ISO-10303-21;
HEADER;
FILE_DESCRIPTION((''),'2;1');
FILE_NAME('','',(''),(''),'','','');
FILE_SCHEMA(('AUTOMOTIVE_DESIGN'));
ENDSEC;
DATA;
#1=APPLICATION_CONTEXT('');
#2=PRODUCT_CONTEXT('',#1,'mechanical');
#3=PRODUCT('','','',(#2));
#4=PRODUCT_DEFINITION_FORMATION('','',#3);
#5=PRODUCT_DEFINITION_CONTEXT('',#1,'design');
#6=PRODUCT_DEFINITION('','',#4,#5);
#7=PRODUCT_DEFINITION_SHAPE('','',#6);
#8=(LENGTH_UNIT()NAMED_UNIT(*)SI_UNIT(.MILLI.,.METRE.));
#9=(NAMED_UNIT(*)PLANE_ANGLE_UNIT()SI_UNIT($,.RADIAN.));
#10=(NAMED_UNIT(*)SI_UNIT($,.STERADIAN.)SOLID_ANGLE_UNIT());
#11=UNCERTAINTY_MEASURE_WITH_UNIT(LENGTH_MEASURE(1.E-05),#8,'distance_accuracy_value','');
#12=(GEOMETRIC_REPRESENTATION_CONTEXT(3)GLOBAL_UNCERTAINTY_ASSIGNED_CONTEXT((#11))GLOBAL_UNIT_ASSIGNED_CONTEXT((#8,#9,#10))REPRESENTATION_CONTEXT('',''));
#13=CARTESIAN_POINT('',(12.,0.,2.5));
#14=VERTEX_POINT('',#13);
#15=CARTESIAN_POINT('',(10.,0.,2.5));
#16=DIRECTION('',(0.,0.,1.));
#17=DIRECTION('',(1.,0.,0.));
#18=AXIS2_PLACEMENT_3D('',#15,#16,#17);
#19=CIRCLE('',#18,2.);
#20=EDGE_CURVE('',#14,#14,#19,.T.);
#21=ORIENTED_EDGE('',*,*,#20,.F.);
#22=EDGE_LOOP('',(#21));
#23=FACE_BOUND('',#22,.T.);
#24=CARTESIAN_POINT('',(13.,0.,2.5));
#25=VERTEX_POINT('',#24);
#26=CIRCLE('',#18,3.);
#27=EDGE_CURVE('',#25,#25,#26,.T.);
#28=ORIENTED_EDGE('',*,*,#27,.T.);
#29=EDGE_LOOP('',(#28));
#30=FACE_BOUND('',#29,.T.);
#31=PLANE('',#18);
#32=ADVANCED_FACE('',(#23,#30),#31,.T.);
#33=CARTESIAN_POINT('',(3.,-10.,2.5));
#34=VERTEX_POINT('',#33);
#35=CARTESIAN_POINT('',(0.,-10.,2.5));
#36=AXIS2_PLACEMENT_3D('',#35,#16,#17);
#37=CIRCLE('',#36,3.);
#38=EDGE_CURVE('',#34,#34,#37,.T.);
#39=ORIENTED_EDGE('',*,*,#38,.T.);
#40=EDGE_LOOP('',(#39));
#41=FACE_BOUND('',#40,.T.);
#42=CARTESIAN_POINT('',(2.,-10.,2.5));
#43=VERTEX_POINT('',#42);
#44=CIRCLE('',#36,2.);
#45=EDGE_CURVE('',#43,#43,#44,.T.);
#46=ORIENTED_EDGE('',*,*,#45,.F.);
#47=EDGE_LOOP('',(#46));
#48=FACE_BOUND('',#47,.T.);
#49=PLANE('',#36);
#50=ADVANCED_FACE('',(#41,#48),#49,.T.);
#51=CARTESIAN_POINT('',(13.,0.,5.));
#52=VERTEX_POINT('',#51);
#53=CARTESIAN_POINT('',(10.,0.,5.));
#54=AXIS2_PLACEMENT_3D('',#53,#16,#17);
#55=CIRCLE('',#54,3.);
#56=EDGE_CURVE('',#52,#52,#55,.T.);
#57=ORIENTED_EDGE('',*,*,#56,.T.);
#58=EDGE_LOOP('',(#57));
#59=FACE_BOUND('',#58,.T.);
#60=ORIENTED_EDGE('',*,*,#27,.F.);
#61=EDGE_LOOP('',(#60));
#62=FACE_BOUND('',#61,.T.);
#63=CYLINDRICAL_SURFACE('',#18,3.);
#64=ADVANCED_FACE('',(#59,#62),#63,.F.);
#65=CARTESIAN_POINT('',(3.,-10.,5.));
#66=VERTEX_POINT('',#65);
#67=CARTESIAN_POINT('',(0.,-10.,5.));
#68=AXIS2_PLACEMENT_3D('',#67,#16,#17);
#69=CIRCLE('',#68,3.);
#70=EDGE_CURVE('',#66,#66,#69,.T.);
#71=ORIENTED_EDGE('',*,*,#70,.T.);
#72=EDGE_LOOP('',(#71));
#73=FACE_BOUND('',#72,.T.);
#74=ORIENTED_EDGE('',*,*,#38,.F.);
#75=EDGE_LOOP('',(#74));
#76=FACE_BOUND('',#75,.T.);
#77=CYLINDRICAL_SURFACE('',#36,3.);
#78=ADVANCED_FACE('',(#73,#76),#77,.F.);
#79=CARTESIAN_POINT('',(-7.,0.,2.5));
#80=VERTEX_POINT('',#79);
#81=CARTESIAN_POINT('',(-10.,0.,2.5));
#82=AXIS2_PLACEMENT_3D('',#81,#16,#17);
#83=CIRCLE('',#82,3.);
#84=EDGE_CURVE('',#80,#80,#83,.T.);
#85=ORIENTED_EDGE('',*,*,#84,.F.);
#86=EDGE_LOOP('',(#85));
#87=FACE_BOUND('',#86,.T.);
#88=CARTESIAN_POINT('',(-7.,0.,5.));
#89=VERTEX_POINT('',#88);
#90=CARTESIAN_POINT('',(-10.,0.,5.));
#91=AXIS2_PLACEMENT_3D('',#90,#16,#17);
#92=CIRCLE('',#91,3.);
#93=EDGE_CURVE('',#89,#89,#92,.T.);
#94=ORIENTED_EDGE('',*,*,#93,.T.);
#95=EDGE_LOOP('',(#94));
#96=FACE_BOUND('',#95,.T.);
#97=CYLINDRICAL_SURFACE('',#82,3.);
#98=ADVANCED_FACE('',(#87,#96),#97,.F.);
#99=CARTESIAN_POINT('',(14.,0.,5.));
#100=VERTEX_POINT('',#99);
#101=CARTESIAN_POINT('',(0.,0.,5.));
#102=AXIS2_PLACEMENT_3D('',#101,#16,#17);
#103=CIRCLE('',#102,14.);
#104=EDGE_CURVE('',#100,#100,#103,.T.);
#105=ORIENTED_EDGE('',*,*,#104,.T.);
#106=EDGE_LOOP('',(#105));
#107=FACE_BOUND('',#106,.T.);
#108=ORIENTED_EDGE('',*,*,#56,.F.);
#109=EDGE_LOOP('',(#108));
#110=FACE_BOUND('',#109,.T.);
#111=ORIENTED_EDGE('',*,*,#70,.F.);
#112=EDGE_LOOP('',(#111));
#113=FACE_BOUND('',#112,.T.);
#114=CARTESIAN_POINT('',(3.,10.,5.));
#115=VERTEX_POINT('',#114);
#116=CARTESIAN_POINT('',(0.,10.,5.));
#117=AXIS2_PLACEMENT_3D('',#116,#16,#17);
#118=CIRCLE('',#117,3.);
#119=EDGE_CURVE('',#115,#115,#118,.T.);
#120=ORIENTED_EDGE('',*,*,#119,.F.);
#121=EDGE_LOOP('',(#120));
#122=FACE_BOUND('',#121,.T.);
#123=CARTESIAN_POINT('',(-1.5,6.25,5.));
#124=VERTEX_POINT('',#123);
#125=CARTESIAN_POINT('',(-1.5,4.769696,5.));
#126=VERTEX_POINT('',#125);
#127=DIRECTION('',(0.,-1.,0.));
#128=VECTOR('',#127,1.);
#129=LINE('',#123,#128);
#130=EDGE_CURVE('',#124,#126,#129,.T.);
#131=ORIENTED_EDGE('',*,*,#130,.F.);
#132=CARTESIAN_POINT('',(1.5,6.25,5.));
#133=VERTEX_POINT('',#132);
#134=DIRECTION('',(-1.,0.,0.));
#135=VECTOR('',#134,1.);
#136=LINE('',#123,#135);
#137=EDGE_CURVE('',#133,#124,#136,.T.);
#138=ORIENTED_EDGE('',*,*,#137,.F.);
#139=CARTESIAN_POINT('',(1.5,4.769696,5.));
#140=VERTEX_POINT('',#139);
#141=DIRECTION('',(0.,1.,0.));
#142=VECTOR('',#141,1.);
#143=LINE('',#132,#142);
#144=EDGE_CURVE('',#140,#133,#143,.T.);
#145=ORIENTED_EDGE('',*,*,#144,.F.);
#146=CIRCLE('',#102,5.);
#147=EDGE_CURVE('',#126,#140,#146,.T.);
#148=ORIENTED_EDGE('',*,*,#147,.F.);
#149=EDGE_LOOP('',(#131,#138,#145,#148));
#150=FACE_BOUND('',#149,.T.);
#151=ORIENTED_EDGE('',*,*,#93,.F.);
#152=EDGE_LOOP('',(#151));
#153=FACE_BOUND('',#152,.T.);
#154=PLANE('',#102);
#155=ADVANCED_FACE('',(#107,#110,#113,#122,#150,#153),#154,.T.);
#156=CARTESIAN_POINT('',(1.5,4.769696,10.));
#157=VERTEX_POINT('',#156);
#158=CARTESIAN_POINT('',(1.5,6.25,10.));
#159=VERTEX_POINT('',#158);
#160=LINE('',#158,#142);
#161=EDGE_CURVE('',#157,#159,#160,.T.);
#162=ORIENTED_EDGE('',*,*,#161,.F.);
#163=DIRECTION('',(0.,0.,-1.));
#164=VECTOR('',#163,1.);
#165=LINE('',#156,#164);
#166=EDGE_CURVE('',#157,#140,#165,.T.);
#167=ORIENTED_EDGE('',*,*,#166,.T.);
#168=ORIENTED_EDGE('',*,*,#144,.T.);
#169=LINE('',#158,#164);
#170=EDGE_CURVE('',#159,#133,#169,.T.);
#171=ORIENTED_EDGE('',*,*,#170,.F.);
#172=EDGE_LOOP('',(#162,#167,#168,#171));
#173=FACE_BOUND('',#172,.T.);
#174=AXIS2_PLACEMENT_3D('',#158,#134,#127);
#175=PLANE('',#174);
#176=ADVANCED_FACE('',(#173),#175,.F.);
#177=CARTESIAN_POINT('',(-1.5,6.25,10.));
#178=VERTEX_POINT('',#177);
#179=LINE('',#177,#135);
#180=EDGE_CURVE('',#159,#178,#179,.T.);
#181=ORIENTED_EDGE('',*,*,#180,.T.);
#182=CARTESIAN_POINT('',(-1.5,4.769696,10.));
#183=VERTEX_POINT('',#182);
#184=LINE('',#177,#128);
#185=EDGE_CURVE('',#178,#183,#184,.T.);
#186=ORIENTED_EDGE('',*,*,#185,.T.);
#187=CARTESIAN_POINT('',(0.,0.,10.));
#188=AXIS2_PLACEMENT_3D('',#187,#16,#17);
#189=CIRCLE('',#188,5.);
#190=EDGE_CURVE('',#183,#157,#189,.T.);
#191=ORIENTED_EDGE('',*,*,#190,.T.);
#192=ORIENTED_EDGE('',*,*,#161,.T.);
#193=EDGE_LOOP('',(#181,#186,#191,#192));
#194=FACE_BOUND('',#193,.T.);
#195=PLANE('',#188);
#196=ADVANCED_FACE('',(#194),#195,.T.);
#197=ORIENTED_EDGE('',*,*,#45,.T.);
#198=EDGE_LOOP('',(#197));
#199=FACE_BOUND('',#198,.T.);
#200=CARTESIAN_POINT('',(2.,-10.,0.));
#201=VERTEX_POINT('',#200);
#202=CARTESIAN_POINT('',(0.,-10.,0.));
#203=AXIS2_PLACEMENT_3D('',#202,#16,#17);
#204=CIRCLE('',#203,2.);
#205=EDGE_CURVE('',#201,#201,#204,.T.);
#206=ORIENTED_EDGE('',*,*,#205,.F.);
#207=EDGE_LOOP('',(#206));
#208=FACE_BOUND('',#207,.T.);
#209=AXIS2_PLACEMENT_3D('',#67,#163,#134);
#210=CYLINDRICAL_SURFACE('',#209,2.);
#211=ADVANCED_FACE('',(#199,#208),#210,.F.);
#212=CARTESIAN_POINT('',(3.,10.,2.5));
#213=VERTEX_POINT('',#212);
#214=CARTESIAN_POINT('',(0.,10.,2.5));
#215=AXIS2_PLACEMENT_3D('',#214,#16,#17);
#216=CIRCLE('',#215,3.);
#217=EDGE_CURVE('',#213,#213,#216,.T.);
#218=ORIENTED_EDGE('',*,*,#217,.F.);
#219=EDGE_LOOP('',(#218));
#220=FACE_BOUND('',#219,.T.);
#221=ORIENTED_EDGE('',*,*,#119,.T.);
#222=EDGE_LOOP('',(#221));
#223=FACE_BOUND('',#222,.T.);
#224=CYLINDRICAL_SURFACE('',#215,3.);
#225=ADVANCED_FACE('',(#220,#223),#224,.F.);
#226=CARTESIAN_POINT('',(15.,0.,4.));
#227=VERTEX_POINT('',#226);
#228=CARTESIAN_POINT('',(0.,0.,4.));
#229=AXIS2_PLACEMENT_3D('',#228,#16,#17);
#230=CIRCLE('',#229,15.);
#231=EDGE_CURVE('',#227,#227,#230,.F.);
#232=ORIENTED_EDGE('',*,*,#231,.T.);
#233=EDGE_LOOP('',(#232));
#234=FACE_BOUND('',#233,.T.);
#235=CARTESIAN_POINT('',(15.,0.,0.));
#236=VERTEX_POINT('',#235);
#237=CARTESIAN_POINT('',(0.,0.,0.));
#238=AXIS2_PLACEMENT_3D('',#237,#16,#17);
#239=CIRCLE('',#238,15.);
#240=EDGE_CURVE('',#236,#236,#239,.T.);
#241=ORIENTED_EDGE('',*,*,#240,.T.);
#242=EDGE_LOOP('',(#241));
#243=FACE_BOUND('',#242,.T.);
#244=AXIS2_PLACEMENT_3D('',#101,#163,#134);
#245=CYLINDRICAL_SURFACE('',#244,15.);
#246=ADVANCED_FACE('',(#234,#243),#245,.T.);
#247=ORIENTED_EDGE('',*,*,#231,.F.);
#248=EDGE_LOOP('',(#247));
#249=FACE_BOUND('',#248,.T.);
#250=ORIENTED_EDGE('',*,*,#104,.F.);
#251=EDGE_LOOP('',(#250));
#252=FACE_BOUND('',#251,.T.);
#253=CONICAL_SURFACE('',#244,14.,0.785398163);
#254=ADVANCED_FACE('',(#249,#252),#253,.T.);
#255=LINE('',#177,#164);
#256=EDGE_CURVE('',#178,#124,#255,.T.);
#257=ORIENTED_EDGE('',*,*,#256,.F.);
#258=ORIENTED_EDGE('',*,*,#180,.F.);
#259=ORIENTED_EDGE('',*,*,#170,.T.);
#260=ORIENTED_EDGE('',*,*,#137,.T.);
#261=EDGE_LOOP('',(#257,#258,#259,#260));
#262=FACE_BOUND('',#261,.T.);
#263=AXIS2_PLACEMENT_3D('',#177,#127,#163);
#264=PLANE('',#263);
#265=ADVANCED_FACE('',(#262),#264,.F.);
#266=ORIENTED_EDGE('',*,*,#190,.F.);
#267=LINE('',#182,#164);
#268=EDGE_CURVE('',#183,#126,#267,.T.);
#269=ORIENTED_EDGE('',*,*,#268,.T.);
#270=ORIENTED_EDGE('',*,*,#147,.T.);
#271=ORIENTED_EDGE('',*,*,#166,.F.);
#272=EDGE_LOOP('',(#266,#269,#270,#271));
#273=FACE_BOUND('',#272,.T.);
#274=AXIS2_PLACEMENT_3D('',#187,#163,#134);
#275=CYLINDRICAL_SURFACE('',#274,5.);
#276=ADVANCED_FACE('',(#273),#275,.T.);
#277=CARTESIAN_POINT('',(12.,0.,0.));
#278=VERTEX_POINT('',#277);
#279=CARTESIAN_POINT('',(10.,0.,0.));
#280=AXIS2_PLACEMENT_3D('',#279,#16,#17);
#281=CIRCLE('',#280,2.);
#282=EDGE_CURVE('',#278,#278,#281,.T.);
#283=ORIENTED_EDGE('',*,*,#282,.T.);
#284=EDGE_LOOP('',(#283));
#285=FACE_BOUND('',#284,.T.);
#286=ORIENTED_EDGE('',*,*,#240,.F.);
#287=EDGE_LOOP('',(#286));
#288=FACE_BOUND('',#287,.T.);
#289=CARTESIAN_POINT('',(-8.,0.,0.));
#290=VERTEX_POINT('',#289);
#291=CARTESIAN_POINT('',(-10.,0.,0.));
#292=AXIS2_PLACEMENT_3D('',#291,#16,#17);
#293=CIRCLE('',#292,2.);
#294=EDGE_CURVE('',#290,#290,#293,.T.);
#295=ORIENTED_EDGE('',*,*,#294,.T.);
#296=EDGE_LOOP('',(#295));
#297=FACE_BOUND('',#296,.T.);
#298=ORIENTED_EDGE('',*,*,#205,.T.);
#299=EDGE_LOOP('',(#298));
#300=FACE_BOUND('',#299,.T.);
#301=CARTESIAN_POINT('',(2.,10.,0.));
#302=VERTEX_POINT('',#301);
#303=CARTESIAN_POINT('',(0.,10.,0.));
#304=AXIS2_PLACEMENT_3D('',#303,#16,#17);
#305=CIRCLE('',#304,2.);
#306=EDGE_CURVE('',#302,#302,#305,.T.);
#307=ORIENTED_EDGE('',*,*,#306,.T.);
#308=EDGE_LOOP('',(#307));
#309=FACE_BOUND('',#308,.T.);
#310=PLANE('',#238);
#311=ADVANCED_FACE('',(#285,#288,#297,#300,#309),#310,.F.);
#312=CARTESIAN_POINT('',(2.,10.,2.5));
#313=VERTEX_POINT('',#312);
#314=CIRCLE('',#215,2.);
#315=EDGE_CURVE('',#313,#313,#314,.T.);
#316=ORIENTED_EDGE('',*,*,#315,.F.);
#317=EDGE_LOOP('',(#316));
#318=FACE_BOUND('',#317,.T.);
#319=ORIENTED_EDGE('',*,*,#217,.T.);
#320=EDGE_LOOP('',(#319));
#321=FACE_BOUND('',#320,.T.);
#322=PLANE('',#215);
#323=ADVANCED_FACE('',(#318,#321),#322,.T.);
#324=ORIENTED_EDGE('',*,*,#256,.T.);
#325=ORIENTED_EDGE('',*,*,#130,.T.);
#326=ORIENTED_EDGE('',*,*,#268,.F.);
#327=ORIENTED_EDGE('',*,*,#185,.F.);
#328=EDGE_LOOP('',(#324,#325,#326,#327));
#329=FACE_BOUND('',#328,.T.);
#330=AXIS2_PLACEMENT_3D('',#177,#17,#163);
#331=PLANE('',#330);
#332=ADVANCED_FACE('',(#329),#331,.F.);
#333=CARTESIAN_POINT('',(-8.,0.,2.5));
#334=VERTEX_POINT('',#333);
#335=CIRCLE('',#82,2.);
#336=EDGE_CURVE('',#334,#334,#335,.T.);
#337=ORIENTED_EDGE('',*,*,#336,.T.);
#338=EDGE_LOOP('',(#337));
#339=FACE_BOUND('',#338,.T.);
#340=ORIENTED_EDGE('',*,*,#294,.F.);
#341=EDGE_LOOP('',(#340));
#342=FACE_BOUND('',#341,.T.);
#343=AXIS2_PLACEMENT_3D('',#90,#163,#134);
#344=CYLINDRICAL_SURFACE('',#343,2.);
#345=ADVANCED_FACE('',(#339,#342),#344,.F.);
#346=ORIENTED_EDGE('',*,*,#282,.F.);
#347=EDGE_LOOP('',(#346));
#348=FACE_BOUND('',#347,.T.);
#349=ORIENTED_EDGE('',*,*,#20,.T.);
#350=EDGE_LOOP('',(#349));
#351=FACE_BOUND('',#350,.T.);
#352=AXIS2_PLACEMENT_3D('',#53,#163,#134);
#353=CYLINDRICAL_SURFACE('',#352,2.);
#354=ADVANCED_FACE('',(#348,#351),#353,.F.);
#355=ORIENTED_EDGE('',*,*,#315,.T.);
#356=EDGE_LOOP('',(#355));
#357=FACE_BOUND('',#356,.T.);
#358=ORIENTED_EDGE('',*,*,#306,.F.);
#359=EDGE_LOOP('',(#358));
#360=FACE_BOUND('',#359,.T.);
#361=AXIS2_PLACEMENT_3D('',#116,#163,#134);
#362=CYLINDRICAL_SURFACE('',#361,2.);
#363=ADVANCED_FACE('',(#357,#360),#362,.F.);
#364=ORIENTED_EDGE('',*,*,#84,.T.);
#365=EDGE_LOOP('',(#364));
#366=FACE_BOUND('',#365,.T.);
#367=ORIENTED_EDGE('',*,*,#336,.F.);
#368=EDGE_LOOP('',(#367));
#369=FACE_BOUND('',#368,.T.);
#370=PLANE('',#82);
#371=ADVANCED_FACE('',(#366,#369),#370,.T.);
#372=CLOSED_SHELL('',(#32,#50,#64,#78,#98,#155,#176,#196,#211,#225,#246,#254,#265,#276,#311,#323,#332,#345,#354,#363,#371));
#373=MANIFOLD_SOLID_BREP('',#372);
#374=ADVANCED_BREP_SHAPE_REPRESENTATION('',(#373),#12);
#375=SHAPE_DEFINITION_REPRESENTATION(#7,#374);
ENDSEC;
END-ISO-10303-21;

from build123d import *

# Parameters (mm, degrees)
SKETCH1_R           = 15
SKETCH1_R_2         = 2
BOSS_EXTRUDE1_DEPTH = 5
BOSS_EXTRUDE2_DEPTH = 5
SKETCH3_R           = 3
CUT_EXTRUDE1_DEPTH  = 2.5
CHAMFER1_SIZE       = 1


with BuildPart() as part:
    # Sketch1 → Boss-Extrude1 (new body)
    with BuildSketch(Plane.XY):
        Circle(SKETCH1_R)
        with Locations((0, 10)):
            Circle(SKETCH1_R_2, mode=Mode.SUBTRACT)
        with Locations((10, 0)):
            Circle(SKETCH1_R_2, mode=Mode.SUBTRACT)
        with Locations((0, -10)):
            Circle(SKETCH1_R_2, mode=Mode.SUBTRACT)
        with Locations((-10, 0)):
            Circle(SKETCH1_R_2, mode=Mode.SUBTRACT)
    extrude(amount=BOSS_EXTRUDE1_DEPTH)

    # Sketch2 → Boss-Extrude2 (add)
    with BuildSketch(Plane.XY.offset(5)):
        with BuildLine():
            Line((-1.5, 6.25), (1.5, 6.25))
            Line((1.5, 6.25), (1.5, 4.769696007))
            ThreePointArc((1.5, 4.769696007), (0, -5), (-1.5, 4.769696007))
            Line((-1.5, 4.769696007), (-1.5, 6.25))
        make_face()
    extrude(amount=BOSS_EXTRUDE2_DEPTH)

    # Sketch3 → Cut-Extrude1 (cut)
    with BuildSketch(Plane.XY.offset(5)):
        with Locations((0, 10)):
            Circle(SKETCH3_R)
        with Locations((-10, 0)):
            Circle(SKETCH3_R)
        with Locations((10, 0)):
            Circle(SKETCH3_R)
        with Locations((0, -10)):
            Circle(SKETCH3_R)
    extrude(amount=-CUT_EXTRUDE1_DEPTH, mode=Mode.SUBTRACT)

    # Chamfer1
    chamfer1_edges = [part.edges().sort_by_distance(p)[0] for p in [
        (-15, 0, 5),
    ]]
    chamfer(chamfer1_edges, length=CHAMFER1_SIZE)


solid = part.part
